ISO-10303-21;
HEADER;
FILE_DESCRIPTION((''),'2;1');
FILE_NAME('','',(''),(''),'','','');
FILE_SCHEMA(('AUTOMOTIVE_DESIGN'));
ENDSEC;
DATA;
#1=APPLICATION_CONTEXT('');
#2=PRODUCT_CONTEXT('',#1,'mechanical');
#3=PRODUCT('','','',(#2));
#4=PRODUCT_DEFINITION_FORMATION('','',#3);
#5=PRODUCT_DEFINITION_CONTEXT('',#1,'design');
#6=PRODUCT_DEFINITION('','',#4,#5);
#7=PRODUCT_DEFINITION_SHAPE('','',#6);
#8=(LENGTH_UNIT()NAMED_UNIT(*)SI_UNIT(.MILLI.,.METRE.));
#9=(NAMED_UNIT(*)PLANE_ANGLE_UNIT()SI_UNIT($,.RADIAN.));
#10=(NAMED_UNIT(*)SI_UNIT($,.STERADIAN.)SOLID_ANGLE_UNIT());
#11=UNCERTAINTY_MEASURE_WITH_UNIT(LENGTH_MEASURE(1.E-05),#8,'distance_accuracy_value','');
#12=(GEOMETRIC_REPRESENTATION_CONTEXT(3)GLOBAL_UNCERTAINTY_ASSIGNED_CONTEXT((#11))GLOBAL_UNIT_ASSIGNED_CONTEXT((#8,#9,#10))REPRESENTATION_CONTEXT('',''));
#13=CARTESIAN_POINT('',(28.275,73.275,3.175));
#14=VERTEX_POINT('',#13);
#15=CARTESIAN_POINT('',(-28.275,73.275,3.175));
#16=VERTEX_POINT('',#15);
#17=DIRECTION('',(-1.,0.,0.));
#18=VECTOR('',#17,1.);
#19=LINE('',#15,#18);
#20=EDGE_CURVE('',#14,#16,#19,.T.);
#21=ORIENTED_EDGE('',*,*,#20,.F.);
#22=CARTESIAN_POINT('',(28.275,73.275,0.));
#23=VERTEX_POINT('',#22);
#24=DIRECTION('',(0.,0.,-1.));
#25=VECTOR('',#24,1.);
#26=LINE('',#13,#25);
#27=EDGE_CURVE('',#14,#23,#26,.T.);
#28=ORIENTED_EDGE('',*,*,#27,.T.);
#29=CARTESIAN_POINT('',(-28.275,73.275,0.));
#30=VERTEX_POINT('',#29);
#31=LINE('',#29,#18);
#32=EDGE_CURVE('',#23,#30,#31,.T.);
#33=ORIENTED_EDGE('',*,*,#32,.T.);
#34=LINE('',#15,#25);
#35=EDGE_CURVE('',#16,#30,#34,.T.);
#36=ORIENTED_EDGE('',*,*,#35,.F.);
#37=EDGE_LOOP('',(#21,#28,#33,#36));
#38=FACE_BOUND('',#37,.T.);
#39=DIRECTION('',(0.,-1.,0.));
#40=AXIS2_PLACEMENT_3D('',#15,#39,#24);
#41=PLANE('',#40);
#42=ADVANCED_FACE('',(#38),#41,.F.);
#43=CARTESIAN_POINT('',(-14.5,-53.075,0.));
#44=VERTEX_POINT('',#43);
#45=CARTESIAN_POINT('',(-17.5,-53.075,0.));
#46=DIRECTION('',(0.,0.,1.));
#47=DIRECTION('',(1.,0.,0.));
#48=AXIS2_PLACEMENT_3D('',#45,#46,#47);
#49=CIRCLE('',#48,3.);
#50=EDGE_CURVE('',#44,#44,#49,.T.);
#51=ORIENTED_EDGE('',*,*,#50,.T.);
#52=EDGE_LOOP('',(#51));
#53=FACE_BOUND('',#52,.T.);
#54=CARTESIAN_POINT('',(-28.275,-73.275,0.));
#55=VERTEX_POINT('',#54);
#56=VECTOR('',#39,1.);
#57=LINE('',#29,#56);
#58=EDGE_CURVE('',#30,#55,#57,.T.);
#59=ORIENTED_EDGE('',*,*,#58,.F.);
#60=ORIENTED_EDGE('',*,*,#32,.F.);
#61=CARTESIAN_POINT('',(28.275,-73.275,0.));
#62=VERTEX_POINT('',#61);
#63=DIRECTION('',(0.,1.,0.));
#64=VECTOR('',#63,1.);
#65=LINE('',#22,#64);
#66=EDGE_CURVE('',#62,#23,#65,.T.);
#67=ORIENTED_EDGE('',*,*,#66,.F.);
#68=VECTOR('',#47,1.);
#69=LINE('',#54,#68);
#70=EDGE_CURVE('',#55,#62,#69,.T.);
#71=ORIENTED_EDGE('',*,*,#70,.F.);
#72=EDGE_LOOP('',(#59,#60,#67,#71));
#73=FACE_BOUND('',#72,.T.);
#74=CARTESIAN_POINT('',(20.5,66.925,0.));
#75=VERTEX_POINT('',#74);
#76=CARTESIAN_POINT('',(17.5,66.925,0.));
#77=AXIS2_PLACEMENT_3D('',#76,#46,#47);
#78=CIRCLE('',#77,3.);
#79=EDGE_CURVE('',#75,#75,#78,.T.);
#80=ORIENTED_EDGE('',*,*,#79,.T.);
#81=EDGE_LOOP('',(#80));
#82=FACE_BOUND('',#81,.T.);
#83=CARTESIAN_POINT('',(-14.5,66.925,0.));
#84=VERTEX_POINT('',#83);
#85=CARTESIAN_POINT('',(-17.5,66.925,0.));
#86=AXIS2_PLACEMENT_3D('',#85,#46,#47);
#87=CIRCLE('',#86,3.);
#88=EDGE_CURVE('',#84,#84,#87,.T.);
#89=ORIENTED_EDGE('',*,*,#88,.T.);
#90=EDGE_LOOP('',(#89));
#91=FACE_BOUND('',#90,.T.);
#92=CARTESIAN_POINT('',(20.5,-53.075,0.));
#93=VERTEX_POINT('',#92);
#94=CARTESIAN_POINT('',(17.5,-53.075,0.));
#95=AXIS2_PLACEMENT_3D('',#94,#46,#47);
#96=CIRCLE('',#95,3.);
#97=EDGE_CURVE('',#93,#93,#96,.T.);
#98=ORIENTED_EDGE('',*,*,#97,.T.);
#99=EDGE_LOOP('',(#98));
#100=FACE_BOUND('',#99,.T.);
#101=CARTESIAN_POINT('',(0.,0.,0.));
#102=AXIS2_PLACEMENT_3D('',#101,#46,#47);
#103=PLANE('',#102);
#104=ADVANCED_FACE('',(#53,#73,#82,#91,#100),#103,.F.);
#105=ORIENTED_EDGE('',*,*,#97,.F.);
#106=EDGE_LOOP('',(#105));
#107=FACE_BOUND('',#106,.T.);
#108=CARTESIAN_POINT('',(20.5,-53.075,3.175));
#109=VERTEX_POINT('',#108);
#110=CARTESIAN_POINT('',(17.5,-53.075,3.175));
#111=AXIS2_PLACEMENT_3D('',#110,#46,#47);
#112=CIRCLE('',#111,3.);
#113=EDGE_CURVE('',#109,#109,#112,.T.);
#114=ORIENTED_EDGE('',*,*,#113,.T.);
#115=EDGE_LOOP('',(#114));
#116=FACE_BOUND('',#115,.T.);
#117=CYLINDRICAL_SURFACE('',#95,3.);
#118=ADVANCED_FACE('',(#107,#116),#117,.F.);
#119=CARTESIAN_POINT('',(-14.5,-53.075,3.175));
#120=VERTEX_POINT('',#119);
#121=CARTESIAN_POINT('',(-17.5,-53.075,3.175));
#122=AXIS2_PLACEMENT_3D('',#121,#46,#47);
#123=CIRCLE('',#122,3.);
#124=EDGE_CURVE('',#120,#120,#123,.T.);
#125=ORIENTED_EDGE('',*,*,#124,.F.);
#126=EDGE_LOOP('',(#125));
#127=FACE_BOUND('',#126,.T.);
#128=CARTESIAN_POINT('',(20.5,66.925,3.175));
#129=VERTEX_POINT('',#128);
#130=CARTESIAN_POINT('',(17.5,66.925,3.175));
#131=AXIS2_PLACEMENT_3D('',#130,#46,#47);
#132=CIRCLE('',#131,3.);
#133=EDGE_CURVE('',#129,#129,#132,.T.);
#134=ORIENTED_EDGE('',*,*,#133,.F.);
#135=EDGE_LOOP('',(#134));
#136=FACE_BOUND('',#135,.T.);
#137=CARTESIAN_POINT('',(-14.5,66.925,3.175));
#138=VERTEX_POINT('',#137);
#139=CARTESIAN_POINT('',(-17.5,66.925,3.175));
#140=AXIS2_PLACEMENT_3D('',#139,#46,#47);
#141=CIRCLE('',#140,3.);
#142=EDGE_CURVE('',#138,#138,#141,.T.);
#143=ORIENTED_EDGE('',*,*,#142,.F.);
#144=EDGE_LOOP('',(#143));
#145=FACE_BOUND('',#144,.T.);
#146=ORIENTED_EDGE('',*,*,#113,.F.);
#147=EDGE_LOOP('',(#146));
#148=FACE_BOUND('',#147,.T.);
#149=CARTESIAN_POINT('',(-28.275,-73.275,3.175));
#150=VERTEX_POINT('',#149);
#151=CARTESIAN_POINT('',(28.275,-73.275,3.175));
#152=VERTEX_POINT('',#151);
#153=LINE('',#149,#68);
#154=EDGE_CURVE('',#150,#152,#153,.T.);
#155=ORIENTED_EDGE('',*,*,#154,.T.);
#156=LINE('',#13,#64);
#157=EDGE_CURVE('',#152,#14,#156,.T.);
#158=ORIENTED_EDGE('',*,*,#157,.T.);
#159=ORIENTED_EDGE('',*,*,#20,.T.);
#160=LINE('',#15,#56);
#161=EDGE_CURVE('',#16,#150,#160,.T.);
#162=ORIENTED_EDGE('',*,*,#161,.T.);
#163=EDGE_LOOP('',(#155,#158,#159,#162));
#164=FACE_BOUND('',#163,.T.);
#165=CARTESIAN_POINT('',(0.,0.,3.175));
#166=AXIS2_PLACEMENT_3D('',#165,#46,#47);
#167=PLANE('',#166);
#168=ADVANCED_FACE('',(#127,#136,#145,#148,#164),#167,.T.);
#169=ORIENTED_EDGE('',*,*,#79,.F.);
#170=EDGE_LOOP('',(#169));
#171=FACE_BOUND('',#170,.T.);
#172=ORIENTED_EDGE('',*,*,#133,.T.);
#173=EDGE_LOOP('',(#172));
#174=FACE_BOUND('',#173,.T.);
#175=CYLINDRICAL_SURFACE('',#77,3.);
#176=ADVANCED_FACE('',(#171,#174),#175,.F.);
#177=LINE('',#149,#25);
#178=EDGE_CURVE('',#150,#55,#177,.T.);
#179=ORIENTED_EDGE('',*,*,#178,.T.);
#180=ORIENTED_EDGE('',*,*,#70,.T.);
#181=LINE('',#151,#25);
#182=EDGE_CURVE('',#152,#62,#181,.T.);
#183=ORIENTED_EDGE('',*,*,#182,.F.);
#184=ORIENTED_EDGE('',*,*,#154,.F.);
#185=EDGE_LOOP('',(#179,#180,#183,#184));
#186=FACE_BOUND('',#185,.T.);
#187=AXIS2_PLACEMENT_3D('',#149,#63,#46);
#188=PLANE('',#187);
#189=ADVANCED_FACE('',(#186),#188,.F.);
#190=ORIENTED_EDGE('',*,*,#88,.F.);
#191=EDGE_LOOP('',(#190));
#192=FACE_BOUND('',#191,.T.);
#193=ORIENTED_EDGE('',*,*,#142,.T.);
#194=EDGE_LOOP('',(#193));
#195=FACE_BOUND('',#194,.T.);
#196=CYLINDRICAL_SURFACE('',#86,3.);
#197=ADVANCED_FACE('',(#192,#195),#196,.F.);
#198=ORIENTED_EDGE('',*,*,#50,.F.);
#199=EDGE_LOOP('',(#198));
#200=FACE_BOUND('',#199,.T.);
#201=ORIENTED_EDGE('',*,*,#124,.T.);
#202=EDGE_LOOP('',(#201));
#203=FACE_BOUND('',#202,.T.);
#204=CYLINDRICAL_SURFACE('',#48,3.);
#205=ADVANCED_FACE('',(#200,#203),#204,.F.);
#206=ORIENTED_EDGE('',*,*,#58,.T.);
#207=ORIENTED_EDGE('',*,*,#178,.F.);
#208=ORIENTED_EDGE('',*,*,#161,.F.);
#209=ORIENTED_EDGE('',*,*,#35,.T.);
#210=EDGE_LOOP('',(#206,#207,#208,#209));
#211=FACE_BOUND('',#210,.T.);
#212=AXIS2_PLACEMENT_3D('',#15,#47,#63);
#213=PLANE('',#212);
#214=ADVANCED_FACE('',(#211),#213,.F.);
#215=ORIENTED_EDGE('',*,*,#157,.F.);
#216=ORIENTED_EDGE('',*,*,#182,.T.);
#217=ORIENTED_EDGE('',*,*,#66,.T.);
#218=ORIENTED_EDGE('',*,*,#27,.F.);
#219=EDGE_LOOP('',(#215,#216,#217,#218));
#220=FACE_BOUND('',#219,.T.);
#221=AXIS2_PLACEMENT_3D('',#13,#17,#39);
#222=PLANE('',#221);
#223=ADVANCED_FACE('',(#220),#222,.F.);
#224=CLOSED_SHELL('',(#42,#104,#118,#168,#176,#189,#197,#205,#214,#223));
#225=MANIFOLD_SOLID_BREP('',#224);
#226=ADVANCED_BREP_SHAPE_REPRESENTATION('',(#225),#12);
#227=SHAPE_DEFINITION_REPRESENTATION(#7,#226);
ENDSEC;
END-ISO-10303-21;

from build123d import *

# Parameters (mm, degrees)
SKETCH1_W           = 56.55
SKETCH1_H           = 146.55
BOSS_EXTRUDE1_DEPTH = 3.175
SKETCH2_R           = 3
CUT_EXTRUDE1_DEPTH  = 79.605228039


with BuildPart() as part:
    # Sketch1 → Boss-Extrude1 (new body)
    with BuildSketch(Plane.XY):
        Rectangle(SKETCH1_W, SKETCH1_H)
    extrude(amount=BOSS_EXTRUDE1_DEPTH)

    # Sketch2 → Cut-Extrude1 (cut, through all)
    with BuildSketch(Plane.XY.offset(3.175)):
        with Locations((17.5, -53.075)):
            Circle(SKETCH2_R)
        with Locations((-17.5, -53.075)):
            Circle(SKETCH2_R)
        with Locations((-17.5, 66.925)):
            Circle(SKETCH2_R)
        with Locations((17.5, 66.925)):
            Circle(SKETCH2_R)
    extrude(amount=-CUT_EXTRUDE1_DEPTH, mode=Mode.SUBTRACT)


solid = part.part
